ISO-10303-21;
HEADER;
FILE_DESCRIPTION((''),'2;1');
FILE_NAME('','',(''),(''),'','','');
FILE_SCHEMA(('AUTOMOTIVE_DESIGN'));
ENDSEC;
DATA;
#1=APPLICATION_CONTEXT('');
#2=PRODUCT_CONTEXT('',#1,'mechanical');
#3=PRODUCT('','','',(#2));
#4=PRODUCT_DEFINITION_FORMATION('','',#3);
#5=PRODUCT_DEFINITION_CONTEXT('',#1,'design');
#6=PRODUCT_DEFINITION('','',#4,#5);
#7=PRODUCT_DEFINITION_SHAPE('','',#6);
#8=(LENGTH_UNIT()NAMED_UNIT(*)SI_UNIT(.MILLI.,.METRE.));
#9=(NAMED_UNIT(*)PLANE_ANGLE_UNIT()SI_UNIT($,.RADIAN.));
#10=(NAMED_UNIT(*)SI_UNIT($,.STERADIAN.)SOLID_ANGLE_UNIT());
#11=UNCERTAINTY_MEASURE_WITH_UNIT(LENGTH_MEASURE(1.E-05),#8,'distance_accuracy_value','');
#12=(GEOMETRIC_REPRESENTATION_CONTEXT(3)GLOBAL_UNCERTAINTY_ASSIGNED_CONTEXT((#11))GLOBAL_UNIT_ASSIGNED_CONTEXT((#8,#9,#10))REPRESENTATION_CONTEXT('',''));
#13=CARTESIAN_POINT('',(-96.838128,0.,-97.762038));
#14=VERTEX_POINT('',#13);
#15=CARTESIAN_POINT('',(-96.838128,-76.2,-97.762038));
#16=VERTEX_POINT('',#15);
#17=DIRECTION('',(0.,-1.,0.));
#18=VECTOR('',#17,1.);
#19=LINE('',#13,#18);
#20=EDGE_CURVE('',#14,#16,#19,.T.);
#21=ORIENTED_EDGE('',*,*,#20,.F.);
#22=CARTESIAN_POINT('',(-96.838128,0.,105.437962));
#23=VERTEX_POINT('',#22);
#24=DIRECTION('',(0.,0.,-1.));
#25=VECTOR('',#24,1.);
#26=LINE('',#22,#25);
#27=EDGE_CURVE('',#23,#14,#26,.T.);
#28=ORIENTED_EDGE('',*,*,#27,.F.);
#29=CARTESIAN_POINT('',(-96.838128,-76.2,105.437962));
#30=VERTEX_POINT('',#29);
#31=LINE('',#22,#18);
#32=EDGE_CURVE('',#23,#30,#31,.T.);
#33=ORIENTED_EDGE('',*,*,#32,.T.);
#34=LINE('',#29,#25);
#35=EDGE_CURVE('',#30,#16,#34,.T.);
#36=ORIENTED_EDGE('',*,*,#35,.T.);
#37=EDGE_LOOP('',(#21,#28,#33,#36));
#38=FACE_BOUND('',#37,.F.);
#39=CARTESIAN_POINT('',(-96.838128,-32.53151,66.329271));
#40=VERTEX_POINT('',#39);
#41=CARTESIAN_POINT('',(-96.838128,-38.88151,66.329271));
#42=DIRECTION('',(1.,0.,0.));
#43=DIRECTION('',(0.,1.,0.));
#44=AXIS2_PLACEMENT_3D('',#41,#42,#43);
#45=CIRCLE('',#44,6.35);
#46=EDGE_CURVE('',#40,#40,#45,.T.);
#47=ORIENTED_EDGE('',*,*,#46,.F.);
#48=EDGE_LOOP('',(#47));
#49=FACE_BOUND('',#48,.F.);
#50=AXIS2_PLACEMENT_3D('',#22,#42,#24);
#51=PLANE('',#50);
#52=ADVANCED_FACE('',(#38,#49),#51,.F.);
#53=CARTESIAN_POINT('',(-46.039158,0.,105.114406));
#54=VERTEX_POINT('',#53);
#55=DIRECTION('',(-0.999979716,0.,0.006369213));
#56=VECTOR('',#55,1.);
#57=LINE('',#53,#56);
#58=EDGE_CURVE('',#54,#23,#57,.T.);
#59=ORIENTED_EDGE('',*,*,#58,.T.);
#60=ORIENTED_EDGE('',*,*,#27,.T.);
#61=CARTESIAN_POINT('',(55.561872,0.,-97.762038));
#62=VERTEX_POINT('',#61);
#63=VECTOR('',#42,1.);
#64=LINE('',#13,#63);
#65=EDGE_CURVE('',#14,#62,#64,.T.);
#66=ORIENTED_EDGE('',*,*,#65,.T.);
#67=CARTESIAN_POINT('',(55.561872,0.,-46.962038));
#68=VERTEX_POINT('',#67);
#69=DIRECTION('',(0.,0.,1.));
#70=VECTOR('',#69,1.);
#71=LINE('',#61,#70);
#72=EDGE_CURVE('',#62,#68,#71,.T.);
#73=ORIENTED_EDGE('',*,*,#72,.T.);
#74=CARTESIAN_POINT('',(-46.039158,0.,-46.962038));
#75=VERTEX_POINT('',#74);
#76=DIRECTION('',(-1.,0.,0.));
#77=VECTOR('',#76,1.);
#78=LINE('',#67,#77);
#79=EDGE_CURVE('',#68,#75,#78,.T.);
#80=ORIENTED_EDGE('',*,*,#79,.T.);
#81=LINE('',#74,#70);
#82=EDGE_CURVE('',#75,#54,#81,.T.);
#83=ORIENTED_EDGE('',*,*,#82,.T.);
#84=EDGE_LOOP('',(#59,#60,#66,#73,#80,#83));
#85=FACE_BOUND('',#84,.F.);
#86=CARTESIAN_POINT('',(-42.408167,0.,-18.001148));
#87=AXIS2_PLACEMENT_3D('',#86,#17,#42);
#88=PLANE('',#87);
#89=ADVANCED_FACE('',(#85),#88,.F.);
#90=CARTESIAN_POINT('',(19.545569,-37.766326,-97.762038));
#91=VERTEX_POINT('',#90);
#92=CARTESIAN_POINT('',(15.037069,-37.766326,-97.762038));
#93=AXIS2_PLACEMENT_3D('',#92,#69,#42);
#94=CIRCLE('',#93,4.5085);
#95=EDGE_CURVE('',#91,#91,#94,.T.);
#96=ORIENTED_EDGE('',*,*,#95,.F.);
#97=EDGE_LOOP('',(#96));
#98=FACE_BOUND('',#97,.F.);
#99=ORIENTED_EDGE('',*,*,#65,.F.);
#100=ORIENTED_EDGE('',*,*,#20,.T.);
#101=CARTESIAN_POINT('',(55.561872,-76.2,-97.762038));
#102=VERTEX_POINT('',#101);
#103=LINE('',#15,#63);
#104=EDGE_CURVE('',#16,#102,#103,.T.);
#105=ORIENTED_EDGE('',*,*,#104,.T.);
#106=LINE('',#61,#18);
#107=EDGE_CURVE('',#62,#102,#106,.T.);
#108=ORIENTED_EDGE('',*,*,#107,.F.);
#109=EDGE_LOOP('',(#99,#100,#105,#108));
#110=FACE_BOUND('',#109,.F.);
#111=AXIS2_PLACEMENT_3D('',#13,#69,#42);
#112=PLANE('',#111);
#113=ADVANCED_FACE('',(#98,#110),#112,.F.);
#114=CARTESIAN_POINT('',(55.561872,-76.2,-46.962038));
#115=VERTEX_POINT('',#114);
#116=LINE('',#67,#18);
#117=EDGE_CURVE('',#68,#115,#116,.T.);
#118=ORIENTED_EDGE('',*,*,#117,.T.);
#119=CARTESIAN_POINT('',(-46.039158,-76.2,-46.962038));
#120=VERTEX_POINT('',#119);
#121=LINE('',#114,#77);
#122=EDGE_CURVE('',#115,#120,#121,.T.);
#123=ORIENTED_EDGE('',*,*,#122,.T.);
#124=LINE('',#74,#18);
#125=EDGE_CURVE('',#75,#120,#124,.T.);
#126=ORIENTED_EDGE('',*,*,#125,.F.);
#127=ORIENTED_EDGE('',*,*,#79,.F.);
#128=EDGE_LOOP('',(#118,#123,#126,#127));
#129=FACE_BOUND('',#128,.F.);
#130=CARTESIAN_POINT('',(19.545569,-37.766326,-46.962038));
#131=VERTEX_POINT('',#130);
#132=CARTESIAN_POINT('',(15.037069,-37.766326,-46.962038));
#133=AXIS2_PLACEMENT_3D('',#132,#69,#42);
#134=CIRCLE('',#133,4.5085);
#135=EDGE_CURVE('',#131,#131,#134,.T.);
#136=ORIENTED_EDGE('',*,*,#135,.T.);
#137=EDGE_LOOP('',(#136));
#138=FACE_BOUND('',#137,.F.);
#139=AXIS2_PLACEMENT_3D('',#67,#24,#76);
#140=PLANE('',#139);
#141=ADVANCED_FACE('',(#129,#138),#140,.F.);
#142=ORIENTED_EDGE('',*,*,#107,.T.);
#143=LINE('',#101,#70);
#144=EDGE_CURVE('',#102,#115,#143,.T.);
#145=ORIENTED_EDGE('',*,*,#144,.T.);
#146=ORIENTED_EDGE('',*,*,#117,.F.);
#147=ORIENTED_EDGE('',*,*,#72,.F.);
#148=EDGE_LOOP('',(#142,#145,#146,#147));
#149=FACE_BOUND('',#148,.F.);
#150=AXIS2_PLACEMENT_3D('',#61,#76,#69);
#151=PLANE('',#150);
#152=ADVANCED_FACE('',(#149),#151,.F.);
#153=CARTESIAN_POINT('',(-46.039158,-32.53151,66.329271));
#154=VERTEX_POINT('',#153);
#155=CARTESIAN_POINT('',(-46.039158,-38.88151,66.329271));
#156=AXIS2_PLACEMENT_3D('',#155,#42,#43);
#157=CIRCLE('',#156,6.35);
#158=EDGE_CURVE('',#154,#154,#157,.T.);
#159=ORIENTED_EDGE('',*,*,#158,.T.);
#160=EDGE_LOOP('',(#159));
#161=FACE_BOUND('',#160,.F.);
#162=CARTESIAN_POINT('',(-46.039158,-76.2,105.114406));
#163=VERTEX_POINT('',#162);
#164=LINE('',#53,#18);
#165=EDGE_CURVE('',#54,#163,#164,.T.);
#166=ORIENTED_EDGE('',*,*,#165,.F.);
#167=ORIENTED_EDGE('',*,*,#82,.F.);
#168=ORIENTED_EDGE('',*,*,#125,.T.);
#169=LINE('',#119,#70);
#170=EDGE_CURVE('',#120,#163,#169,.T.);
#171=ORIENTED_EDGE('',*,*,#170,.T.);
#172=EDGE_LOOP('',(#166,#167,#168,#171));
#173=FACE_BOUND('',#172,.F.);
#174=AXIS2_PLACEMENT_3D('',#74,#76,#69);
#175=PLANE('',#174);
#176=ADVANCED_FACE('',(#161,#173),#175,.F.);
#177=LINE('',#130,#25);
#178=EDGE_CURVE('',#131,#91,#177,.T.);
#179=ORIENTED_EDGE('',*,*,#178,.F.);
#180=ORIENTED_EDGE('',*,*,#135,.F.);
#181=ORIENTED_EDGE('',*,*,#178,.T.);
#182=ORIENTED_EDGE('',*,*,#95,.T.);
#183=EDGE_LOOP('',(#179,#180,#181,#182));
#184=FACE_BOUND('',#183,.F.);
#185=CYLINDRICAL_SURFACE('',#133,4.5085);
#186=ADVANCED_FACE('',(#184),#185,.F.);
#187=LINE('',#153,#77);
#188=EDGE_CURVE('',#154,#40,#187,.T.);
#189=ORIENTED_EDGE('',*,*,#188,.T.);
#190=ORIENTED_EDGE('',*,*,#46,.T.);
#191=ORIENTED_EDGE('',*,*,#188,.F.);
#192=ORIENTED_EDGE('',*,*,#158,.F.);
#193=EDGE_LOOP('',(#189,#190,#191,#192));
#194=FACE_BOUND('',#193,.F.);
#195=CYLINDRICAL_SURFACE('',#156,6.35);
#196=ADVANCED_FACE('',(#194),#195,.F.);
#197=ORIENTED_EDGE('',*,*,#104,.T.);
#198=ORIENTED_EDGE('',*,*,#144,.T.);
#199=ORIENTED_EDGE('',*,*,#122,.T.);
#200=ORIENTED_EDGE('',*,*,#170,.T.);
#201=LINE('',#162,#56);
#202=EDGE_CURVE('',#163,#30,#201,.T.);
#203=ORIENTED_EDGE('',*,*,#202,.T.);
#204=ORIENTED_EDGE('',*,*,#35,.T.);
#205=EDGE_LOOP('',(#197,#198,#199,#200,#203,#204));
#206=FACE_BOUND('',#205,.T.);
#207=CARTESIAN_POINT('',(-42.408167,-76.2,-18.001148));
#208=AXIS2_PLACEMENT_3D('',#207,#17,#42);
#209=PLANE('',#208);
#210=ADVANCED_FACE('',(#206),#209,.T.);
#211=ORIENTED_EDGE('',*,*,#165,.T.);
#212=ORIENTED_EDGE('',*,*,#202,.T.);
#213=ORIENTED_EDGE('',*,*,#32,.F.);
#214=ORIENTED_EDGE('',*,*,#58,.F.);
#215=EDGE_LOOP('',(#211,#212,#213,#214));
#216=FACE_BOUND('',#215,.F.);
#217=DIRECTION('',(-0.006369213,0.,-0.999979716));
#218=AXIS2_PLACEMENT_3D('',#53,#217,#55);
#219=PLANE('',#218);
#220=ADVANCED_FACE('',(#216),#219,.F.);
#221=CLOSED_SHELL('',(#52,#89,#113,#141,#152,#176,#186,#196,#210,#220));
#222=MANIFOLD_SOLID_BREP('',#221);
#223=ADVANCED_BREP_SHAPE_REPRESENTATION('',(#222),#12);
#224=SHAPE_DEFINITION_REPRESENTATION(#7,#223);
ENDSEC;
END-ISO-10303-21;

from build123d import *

# Parameters (mm, degrees)
F1_DEPTH = 76.2
F2_R     = 4.5085
F3_DEPTH = 92.761762
F4_R     = 6.35
F5_DEPTH = 118.672617


with BuildPart() as f1:
    # F0 (on Front) → F1 (new body)
    with BuildSketch(Plane.XZ):
        Polygon((-46.039158, 105.114406), (-96.838128, 105.437962), (-96.838128, -97.762038), (55.561872, -97.762038), (55.561872, -46.962038), (-46.039158, -46.962038), align=None)
    extrude(amount=F1_DEPTH)

    # F2 (on face) → F3 (cut)
    with BuildSketch(Plane.XY.offset(-46.962038)):
        with Locations((15.037069, -37.766326)):
            Circle(F2_R)
    extrude(amount=-F3_DEPTH, mode=Mode.SUBTRACT)

    # F4 (on face) → F5 (cut)
    with BuildSketch(Plane.YZ.offset(-46.039158)):
        with Locations((-38.88151, 66.329271)):
            Circle(F4_R)
    extrude(amount=-F5_DEPTH, mode=Mode.SUBTRACT)


solid = f1.part
